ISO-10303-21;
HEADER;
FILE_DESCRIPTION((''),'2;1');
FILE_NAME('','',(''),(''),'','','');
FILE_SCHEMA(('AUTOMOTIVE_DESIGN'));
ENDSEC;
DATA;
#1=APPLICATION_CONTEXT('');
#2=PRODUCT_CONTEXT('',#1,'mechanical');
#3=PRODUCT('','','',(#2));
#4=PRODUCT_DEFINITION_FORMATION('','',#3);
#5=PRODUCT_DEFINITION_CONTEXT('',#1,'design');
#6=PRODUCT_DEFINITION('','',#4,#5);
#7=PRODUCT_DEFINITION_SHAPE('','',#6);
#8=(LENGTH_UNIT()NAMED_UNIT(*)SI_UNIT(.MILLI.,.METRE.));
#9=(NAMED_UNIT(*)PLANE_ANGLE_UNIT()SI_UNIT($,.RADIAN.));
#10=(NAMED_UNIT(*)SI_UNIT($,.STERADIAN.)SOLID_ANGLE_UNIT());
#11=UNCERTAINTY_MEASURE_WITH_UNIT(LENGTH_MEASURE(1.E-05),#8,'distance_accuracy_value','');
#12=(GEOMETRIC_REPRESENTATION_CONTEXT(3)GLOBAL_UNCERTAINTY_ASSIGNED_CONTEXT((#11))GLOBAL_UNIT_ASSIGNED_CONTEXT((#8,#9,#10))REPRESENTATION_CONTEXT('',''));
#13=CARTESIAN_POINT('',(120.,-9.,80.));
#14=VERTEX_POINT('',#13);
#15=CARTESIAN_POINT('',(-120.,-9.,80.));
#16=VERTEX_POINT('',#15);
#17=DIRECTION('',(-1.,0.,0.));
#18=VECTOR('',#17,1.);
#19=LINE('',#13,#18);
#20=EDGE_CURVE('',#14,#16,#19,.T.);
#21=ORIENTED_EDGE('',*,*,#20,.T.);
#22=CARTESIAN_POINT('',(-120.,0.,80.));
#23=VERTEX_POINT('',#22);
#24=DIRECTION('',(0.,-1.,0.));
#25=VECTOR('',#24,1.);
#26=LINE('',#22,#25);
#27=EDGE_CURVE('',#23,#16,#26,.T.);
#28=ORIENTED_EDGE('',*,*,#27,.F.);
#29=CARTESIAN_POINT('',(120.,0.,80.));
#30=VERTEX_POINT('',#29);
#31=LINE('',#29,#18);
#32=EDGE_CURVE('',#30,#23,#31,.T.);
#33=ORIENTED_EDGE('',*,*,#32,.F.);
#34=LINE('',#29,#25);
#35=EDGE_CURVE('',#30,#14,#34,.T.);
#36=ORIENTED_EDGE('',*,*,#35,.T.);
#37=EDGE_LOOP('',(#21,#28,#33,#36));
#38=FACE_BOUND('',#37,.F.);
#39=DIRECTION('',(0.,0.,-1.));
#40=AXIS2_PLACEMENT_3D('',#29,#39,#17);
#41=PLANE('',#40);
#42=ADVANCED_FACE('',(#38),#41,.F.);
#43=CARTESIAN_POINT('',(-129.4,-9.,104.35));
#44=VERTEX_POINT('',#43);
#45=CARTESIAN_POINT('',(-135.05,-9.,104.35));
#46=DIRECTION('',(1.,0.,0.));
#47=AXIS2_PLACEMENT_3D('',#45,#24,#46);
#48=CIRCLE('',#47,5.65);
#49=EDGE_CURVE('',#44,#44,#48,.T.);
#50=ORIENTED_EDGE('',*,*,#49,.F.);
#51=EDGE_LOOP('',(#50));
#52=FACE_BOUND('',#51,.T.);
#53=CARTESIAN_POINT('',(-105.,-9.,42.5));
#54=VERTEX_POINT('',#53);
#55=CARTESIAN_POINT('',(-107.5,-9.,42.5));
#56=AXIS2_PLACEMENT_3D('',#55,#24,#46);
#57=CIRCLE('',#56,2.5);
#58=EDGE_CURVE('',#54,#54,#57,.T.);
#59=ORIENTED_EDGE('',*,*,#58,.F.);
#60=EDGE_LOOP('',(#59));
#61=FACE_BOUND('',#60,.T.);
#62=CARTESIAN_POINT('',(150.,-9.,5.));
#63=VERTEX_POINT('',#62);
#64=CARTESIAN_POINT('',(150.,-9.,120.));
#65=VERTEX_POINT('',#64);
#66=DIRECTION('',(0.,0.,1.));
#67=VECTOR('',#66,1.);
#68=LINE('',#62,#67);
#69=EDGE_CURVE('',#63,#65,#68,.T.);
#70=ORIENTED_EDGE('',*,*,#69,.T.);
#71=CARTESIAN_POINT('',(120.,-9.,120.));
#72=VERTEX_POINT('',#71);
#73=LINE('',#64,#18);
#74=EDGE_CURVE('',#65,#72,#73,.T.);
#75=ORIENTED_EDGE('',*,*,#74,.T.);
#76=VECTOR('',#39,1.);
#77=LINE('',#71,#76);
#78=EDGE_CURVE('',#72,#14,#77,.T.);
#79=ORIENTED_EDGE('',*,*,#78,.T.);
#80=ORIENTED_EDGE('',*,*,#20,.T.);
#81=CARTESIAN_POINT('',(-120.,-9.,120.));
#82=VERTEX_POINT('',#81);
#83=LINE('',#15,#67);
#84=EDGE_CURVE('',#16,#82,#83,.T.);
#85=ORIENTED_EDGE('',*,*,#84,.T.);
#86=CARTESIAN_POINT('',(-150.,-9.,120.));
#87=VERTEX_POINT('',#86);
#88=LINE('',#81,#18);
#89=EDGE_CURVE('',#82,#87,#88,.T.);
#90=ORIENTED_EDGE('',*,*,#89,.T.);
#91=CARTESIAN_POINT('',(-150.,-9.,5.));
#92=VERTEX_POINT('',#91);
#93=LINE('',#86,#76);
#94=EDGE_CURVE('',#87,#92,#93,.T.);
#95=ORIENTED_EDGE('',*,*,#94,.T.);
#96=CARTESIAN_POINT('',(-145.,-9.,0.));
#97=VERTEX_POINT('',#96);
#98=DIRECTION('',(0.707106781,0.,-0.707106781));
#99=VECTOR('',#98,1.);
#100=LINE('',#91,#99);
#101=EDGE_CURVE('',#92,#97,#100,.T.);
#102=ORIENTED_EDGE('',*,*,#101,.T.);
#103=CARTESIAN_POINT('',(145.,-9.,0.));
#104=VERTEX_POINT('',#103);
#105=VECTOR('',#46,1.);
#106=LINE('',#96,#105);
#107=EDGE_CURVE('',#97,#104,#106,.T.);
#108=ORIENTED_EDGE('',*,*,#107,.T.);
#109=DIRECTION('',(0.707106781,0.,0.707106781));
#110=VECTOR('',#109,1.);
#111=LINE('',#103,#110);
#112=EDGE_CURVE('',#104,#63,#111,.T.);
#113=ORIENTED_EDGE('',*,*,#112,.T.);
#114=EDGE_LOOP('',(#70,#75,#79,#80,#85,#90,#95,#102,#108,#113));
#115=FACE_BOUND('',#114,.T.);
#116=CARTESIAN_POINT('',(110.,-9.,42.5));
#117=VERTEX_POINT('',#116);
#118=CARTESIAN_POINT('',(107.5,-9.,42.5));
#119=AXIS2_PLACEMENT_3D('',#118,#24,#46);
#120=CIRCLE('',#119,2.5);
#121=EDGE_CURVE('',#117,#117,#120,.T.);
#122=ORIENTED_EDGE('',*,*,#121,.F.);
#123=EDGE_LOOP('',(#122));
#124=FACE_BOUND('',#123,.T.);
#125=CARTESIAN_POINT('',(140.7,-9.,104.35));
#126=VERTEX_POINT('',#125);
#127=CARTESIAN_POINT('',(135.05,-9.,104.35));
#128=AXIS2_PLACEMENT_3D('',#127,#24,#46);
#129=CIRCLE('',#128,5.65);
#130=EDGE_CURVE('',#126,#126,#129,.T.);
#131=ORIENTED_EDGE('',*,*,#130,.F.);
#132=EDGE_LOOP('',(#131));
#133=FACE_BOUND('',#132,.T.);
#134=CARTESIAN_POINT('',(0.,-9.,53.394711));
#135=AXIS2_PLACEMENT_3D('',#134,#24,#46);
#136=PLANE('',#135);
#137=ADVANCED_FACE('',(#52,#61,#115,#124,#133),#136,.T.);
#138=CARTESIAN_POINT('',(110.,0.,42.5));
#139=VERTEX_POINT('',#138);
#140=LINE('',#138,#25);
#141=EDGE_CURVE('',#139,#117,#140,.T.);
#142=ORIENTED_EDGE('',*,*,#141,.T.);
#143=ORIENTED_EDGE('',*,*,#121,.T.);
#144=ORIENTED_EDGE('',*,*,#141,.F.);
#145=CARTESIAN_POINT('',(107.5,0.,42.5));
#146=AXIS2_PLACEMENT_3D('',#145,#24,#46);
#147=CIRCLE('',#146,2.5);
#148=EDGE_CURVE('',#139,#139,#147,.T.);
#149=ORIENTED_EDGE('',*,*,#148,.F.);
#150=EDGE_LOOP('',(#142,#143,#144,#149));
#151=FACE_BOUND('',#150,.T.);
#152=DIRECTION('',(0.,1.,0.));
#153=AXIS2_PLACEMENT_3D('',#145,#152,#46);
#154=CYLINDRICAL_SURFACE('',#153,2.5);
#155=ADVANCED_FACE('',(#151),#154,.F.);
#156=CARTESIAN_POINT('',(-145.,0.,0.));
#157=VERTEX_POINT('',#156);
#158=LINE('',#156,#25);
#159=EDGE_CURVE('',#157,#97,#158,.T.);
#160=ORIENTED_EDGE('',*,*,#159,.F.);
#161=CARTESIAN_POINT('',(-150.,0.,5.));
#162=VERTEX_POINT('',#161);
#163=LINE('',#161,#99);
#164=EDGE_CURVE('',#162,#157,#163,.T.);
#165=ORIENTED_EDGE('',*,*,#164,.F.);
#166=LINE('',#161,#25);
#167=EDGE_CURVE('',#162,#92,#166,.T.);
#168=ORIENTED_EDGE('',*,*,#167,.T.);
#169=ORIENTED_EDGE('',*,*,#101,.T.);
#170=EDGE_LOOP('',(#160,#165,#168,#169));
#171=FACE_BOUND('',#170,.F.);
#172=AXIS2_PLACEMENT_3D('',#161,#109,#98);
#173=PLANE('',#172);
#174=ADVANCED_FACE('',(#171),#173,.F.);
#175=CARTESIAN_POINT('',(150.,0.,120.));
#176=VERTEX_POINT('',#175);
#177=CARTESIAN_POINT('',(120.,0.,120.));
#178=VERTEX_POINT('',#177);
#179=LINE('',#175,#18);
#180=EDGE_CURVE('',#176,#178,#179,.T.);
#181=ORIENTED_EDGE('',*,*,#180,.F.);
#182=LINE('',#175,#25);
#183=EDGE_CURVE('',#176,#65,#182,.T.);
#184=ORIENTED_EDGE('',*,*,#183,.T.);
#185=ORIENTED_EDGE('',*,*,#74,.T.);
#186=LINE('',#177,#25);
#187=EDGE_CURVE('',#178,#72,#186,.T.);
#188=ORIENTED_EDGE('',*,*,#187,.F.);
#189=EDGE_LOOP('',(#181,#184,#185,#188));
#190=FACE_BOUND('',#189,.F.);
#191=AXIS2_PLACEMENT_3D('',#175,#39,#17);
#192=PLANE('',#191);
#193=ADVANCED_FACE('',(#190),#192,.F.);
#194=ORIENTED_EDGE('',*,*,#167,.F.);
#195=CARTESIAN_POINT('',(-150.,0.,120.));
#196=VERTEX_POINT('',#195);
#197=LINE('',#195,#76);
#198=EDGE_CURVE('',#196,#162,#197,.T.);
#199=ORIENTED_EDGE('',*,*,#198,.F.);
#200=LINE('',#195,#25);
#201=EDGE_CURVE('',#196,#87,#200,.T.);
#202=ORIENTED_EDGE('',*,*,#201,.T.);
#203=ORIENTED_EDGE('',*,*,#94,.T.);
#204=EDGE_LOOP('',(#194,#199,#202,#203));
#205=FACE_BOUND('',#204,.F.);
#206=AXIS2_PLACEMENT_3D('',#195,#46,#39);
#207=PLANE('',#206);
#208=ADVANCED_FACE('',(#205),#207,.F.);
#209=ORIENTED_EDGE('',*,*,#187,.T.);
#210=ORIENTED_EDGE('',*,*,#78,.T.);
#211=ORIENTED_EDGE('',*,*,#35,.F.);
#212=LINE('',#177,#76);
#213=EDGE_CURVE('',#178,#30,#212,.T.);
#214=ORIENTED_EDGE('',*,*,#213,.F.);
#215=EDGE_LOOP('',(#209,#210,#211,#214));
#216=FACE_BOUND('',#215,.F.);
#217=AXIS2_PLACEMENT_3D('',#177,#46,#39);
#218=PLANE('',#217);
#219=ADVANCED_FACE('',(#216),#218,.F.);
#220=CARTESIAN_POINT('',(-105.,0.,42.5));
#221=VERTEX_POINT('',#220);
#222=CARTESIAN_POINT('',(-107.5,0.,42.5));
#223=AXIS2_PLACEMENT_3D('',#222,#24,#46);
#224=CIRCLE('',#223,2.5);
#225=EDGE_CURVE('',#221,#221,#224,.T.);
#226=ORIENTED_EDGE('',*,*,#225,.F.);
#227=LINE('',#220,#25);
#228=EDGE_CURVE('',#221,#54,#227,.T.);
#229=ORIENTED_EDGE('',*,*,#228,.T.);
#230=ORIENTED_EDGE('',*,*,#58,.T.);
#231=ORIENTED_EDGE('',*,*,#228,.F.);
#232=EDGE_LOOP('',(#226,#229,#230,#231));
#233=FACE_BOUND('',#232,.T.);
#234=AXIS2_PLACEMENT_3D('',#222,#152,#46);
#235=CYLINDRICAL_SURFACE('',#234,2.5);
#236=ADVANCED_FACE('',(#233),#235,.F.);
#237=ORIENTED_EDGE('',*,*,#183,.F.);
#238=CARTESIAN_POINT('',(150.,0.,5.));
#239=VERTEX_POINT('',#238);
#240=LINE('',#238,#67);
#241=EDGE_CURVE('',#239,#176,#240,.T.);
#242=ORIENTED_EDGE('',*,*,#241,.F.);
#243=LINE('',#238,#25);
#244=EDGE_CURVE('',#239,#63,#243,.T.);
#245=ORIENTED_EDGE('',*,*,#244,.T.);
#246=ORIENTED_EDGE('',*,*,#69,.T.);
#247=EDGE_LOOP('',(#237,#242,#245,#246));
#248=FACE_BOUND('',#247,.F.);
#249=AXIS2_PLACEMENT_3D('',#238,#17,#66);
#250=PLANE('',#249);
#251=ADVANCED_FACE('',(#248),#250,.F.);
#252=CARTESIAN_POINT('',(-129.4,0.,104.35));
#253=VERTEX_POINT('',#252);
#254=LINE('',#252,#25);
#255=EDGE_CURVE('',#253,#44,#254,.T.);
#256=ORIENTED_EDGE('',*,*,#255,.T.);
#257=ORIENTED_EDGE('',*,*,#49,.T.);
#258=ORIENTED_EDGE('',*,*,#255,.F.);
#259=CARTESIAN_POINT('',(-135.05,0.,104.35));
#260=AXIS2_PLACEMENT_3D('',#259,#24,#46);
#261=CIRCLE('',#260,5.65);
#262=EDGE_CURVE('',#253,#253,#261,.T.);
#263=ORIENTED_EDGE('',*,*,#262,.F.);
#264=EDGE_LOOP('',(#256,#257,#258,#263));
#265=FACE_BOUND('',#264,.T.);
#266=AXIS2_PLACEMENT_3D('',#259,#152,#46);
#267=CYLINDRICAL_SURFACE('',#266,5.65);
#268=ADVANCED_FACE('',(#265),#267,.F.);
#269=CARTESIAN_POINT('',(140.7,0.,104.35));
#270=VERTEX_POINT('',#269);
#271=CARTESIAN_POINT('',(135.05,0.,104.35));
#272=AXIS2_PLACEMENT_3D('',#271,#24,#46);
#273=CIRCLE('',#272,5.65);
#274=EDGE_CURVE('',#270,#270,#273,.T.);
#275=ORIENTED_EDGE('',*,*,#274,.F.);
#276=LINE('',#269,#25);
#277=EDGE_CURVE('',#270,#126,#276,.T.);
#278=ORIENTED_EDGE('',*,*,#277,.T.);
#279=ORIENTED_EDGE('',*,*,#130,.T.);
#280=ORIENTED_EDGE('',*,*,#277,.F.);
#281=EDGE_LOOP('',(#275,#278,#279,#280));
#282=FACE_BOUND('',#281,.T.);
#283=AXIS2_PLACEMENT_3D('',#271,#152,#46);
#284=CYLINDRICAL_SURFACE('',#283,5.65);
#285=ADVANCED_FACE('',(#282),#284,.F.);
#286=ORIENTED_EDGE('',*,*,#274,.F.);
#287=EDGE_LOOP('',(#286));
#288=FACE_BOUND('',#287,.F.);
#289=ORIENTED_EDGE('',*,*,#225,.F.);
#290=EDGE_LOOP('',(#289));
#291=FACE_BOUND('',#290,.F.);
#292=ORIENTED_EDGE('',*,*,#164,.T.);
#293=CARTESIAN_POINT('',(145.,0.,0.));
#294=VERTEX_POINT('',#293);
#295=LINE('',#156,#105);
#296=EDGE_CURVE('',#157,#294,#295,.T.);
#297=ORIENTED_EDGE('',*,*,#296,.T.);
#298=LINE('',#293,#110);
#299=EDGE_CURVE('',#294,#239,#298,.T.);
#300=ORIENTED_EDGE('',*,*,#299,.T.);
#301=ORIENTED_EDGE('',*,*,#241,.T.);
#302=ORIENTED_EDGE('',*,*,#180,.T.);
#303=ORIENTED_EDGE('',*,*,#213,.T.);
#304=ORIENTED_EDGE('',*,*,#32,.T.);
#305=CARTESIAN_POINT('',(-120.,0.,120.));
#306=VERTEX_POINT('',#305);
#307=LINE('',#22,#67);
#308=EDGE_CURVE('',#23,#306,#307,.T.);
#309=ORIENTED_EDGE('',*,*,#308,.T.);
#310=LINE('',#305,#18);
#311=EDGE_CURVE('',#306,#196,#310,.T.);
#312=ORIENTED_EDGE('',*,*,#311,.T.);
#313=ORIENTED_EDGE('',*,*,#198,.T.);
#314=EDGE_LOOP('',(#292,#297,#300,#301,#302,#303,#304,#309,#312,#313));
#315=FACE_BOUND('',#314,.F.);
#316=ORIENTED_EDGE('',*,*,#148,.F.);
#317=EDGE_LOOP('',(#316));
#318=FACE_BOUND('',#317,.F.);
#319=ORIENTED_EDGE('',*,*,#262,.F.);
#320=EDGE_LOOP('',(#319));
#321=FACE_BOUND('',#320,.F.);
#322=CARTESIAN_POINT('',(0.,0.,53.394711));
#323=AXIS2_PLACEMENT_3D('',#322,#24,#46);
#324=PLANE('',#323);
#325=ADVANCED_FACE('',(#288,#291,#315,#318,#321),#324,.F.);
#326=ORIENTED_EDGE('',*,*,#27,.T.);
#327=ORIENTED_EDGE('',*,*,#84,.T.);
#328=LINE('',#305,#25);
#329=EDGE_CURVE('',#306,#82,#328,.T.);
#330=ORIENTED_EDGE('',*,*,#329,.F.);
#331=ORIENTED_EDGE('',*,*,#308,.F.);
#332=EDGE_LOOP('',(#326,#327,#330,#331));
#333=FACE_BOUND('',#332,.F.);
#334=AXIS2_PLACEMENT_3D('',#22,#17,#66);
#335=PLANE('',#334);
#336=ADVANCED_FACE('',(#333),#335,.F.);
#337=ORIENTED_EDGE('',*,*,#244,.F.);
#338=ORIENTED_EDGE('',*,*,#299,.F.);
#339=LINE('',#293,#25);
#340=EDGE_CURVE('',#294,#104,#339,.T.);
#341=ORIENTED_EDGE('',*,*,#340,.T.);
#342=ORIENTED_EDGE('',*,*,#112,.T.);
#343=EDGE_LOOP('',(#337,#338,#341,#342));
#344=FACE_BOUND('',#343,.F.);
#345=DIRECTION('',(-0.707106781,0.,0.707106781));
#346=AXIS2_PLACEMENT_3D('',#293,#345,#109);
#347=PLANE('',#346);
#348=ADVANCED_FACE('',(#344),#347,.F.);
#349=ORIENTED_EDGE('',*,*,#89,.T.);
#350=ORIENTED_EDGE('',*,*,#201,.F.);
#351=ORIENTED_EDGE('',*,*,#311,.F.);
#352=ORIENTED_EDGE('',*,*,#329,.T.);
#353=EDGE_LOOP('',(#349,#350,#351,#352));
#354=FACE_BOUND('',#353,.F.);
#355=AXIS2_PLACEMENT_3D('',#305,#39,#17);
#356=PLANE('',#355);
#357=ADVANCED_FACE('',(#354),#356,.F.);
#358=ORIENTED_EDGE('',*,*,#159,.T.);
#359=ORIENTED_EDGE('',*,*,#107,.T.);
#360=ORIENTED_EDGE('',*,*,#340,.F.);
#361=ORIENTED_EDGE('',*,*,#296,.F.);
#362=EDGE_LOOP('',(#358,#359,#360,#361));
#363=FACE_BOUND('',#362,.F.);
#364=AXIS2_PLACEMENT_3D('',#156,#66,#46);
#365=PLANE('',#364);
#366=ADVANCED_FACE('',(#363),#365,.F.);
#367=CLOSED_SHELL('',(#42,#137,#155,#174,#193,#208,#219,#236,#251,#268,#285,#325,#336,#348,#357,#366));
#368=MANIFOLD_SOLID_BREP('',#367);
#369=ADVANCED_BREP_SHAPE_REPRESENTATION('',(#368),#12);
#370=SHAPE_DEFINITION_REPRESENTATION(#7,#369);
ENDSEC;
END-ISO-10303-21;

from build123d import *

# Parameters (mm, degrees)
F0_R     = 2.5
F0_R_2   = 5.65
F1_DEPTH = 9


with BuildPart() as f1:
    # F0 (on Front) → F1 (new body)
    with BuildSketch(Plane.XZ):
        Polygon((-120, 120), (-150, 120), (-150, 5), (-145, 0), (0, 0), (145, 0), (150, 5), (150, 120), (120, 120), (120, 80), (0, 80), (-120, 80), align=None)
        with Locations((-107.5, 42.5)):
            Circle(F0_R, mode=Mode.SUBTRACT)
        with Locations((107.5, 42.5)):
            Circle(F0_R, mode=Mode.SUBTRACT)
        with Locations((-135.05, 104.35)):
            Circle(F0_R_2, mode=Mode.SUBTRACT)
        with Locations((135.05, 104.35)):
            Circle(F0_R_2, mode=Mode.SUBTRACT)
    extrude(amount=F1_DEPTH)


solid = f1.part
